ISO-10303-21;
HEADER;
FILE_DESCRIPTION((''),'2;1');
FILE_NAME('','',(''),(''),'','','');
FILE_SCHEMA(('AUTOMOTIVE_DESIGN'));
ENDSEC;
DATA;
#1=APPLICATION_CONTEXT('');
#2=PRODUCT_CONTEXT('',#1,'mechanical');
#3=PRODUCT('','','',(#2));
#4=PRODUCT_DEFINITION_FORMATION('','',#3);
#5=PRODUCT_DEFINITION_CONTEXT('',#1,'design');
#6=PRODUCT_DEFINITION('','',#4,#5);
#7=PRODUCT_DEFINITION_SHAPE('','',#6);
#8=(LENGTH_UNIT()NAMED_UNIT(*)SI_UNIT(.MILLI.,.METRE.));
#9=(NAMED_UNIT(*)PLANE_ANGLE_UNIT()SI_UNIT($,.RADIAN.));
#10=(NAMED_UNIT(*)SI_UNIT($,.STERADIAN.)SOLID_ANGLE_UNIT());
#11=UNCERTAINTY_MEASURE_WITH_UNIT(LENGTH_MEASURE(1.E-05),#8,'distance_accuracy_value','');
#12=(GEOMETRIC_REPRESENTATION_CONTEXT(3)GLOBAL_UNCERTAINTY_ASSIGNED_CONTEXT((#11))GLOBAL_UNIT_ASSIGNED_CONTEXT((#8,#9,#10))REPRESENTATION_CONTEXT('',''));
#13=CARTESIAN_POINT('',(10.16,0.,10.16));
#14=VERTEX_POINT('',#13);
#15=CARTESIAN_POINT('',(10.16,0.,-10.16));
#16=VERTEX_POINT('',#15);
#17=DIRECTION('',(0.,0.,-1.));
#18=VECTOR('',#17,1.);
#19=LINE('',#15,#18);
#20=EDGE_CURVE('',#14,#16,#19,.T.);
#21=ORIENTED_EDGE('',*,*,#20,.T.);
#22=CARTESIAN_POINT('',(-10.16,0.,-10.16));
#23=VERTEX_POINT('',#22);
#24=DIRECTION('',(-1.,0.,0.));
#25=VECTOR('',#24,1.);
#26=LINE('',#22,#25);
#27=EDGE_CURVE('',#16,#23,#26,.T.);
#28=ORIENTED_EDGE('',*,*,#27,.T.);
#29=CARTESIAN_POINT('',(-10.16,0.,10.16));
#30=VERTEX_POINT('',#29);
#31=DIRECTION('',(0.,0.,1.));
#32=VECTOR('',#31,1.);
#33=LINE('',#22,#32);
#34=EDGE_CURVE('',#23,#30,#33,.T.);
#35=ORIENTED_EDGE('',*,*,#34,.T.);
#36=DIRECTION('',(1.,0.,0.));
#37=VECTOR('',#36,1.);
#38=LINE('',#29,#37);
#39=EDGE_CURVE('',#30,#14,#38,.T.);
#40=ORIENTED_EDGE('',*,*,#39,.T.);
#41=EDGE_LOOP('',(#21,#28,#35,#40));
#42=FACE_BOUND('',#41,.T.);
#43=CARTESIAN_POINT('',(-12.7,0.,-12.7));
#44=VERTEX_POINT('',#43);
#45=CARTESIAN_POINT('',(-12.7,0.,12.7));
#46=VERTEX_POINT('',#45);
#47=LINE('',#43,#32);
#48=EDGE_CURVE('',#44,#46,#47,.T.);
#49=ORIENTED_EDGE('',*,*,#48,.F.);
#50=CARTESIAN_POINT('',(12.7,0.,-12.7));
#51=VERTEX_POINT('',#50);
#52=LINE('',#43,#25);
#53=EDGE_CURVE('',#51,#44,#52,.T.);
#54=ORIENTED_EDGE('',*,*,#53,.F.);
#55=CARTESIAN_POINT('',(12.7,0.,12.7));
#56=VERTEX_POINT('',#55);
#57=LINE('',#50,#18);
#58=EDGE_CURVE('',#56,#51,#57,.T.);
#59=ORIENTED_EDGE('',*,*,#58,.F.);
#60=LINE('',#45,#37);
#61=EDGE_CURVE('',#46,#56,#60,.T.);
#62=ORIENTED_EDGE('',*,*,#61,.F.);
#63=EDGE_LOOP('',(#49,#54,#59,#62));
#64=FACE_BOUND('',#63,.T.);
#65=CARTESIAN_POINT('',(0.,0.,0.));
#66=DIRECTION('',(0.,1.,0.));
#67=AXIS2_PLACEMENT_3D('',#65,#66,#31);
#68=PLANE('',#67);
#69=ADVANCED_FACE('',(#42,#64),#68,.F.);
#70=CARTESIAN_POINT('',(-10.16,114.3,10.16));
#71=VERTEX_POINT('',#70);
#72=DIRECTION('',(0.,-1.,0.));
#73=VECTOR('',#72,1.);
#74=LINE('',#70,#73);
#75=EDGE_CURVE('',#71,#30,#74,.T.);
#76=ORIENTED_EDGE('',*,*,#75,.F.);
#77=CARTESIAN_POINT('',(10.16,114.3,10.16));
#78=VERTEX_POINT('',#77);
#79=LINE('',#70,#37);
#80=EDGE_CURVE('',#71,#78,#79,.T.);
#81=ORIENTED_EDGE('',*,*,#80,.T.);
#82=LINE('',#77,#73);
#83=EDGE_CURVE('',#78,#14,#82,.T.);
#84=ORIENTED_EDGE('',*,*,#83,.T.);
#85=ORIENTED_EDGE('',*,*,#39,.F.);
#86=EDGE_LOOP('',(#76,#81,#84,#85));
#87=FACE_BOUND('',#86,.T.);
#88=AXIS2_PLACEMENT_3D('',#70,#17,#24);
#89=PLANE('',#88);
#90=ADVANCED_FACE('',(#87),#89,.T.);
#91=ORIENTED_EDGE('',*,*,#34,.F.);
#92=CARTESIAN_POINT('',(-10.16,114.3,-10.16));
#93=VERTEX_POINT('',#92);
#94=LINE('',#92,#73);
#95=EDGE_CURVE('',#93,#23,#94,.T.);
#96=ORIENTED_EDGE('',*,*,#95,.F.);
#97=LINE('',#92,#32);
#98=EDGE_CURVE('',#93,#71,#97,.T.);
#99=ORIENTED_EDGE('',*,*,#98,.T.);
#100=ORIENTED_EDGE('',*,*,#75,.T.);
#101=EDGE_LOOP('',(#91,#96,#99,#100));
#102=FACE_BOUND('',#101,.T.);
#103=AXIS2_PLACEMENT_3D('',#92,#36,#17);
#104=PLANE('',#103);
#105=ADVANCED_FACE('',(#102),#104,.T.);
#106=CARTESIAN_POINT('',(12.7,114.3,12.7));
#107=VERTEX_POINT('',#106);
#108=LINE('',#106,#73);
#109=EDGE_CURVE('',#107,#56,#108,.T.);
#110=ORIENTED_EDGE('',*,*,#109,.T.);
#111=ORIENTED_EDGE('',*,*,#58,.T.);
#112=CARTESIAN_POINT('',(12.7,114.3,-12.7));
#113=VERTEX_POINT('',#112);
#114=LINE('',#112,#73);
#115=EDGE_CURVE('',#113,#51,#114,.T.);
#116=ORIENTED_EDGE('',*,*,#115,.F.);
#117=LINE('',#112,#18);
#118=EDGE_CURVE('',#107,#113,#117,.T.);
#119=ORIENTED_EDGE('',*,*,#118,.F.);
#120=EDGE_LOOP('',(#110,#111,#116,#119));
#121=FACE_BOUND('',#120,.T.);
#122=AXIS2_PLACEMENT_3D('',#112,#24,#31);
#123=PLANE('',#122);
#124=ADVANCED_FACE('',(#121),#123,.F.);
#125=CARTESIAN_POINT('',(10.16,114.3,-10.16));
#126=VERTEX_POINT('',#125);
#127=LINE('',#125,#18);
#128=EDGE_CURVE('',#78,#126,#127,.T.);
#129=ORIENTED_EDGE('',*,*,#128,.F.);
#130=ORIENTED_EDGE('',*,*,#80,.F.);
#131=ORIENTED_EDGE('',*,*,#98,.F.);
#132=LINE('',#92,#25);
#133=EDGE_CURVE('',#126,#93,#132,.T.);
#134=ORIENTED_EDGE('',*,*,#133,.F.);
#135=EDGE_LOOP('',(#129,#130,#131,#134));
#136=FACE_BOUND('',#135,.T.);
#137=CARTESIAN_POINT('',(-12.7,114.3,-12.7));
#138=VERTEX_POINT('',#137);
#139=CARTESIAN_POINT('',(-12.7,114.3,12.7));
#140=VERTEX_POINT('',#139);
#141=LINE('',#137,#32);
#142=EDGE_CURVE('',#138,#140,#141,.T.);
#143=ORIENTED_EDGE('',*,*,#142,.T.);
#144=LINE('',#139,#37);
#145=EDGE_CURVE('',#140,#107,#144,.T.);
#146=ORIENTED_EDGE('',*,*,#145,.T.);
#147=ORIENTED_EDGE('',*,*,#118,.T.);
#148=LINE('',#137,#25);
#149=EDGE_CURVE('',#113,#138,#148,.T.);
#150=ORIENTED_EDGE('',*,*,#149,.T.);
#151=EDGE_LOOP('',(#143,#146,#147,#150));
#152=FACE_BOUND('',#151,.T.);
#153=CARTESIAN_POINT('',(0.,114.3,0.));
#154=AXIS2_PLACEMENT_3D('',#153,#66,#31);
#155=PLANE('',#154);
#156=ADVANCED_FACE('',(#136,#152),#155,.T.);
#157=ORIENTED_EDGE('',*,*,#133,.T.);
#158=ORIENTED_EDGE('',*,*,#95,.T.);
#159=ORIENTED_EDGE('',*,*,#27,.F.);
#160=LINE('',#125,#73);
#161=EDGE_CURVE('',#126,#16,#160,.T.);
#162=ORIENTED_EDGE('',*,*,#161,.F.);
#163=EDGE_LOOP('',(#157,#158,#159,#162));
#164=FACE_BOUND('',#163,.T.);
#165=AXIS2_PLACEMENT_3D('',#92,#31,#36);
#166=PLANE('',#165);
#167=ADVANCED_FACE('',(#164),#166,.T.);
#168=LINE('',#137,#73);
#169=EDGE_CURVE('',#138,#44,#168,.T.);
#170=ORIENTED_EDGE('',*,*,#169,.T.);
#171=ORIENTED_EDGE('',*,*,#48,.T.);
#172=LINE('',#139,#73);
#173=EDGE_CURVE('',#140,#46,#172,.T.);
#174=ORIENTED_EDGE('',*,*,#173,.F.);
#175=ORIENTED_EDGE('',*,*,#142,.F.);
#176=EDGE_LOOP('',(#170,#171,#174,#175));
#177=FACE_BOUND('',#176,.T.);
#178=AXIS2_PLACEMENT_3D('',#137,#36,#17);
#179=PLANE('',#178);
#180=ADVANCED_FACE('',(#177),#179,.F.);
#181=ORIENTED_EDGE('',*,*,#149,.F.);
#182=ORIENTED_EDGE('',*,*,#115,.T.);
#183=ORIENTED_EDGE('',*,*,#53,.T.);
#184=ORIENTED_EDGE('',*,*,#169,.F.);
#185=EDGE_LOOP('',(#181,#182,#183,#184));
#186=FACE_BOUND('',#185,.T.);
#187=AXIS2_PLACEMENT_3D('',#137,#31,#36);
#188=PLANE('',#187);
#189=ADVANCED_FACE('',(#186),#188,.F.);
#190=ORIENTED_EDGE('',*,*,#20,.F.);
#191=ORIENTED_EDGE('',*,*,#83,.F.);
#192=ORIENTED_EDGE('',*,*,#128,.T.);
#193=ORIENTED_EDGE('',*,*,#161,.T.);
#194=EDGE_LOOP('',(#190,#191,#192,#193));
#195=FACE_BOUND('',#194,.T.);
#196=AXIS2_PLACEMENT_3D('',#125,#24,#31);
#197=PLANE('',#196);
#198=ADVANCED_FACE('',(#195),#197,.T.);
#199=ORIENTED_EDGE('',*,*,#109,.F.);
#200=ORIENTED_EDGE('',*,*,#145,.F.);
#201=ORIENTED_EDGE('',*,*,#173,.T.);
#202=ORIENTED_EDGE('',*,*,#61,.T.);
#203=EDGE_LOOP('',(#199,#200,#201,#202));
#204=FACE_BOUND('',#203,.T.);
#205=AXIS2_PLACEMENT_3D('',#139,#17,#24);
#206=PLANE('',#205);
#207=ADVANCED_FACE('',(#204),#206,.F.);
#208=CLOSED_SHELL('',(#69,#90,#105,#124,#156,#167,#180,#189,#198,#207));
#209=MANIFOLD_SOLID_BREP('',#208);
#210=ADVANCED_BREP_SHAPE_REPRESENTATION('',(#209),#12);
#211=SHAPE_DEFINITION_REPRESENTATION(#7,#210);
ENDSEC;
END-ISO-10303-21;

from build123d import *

# Parameters (mm, degrees)
SKETCH1_W           = 25.4
SKETCH1_H           = 25.4
SKETCH1_W_2         = 20.32
SKETCH1_H_2         = 20.32
BOSS_EXTRUDE1_DEPTH = 114.3


with BuildPart() as part:
    # Sketch1 → Boss-Extrude1 (new body)
    with BuildSketch(Plane(origin=(0, 0, 0), x_dir=(1, 0, 0), z_dir=(0, 1, 0))):
        Rectangle(SKETCH1_W, SKETCH1_H)
        Rectangle(SKETCH1_W_2, SKETCH1_H_2, mode=Mode.SUBTRACT)
    extrude(amount=BOSS_EXTRUDE1_DEPTH)


solid = part.part
